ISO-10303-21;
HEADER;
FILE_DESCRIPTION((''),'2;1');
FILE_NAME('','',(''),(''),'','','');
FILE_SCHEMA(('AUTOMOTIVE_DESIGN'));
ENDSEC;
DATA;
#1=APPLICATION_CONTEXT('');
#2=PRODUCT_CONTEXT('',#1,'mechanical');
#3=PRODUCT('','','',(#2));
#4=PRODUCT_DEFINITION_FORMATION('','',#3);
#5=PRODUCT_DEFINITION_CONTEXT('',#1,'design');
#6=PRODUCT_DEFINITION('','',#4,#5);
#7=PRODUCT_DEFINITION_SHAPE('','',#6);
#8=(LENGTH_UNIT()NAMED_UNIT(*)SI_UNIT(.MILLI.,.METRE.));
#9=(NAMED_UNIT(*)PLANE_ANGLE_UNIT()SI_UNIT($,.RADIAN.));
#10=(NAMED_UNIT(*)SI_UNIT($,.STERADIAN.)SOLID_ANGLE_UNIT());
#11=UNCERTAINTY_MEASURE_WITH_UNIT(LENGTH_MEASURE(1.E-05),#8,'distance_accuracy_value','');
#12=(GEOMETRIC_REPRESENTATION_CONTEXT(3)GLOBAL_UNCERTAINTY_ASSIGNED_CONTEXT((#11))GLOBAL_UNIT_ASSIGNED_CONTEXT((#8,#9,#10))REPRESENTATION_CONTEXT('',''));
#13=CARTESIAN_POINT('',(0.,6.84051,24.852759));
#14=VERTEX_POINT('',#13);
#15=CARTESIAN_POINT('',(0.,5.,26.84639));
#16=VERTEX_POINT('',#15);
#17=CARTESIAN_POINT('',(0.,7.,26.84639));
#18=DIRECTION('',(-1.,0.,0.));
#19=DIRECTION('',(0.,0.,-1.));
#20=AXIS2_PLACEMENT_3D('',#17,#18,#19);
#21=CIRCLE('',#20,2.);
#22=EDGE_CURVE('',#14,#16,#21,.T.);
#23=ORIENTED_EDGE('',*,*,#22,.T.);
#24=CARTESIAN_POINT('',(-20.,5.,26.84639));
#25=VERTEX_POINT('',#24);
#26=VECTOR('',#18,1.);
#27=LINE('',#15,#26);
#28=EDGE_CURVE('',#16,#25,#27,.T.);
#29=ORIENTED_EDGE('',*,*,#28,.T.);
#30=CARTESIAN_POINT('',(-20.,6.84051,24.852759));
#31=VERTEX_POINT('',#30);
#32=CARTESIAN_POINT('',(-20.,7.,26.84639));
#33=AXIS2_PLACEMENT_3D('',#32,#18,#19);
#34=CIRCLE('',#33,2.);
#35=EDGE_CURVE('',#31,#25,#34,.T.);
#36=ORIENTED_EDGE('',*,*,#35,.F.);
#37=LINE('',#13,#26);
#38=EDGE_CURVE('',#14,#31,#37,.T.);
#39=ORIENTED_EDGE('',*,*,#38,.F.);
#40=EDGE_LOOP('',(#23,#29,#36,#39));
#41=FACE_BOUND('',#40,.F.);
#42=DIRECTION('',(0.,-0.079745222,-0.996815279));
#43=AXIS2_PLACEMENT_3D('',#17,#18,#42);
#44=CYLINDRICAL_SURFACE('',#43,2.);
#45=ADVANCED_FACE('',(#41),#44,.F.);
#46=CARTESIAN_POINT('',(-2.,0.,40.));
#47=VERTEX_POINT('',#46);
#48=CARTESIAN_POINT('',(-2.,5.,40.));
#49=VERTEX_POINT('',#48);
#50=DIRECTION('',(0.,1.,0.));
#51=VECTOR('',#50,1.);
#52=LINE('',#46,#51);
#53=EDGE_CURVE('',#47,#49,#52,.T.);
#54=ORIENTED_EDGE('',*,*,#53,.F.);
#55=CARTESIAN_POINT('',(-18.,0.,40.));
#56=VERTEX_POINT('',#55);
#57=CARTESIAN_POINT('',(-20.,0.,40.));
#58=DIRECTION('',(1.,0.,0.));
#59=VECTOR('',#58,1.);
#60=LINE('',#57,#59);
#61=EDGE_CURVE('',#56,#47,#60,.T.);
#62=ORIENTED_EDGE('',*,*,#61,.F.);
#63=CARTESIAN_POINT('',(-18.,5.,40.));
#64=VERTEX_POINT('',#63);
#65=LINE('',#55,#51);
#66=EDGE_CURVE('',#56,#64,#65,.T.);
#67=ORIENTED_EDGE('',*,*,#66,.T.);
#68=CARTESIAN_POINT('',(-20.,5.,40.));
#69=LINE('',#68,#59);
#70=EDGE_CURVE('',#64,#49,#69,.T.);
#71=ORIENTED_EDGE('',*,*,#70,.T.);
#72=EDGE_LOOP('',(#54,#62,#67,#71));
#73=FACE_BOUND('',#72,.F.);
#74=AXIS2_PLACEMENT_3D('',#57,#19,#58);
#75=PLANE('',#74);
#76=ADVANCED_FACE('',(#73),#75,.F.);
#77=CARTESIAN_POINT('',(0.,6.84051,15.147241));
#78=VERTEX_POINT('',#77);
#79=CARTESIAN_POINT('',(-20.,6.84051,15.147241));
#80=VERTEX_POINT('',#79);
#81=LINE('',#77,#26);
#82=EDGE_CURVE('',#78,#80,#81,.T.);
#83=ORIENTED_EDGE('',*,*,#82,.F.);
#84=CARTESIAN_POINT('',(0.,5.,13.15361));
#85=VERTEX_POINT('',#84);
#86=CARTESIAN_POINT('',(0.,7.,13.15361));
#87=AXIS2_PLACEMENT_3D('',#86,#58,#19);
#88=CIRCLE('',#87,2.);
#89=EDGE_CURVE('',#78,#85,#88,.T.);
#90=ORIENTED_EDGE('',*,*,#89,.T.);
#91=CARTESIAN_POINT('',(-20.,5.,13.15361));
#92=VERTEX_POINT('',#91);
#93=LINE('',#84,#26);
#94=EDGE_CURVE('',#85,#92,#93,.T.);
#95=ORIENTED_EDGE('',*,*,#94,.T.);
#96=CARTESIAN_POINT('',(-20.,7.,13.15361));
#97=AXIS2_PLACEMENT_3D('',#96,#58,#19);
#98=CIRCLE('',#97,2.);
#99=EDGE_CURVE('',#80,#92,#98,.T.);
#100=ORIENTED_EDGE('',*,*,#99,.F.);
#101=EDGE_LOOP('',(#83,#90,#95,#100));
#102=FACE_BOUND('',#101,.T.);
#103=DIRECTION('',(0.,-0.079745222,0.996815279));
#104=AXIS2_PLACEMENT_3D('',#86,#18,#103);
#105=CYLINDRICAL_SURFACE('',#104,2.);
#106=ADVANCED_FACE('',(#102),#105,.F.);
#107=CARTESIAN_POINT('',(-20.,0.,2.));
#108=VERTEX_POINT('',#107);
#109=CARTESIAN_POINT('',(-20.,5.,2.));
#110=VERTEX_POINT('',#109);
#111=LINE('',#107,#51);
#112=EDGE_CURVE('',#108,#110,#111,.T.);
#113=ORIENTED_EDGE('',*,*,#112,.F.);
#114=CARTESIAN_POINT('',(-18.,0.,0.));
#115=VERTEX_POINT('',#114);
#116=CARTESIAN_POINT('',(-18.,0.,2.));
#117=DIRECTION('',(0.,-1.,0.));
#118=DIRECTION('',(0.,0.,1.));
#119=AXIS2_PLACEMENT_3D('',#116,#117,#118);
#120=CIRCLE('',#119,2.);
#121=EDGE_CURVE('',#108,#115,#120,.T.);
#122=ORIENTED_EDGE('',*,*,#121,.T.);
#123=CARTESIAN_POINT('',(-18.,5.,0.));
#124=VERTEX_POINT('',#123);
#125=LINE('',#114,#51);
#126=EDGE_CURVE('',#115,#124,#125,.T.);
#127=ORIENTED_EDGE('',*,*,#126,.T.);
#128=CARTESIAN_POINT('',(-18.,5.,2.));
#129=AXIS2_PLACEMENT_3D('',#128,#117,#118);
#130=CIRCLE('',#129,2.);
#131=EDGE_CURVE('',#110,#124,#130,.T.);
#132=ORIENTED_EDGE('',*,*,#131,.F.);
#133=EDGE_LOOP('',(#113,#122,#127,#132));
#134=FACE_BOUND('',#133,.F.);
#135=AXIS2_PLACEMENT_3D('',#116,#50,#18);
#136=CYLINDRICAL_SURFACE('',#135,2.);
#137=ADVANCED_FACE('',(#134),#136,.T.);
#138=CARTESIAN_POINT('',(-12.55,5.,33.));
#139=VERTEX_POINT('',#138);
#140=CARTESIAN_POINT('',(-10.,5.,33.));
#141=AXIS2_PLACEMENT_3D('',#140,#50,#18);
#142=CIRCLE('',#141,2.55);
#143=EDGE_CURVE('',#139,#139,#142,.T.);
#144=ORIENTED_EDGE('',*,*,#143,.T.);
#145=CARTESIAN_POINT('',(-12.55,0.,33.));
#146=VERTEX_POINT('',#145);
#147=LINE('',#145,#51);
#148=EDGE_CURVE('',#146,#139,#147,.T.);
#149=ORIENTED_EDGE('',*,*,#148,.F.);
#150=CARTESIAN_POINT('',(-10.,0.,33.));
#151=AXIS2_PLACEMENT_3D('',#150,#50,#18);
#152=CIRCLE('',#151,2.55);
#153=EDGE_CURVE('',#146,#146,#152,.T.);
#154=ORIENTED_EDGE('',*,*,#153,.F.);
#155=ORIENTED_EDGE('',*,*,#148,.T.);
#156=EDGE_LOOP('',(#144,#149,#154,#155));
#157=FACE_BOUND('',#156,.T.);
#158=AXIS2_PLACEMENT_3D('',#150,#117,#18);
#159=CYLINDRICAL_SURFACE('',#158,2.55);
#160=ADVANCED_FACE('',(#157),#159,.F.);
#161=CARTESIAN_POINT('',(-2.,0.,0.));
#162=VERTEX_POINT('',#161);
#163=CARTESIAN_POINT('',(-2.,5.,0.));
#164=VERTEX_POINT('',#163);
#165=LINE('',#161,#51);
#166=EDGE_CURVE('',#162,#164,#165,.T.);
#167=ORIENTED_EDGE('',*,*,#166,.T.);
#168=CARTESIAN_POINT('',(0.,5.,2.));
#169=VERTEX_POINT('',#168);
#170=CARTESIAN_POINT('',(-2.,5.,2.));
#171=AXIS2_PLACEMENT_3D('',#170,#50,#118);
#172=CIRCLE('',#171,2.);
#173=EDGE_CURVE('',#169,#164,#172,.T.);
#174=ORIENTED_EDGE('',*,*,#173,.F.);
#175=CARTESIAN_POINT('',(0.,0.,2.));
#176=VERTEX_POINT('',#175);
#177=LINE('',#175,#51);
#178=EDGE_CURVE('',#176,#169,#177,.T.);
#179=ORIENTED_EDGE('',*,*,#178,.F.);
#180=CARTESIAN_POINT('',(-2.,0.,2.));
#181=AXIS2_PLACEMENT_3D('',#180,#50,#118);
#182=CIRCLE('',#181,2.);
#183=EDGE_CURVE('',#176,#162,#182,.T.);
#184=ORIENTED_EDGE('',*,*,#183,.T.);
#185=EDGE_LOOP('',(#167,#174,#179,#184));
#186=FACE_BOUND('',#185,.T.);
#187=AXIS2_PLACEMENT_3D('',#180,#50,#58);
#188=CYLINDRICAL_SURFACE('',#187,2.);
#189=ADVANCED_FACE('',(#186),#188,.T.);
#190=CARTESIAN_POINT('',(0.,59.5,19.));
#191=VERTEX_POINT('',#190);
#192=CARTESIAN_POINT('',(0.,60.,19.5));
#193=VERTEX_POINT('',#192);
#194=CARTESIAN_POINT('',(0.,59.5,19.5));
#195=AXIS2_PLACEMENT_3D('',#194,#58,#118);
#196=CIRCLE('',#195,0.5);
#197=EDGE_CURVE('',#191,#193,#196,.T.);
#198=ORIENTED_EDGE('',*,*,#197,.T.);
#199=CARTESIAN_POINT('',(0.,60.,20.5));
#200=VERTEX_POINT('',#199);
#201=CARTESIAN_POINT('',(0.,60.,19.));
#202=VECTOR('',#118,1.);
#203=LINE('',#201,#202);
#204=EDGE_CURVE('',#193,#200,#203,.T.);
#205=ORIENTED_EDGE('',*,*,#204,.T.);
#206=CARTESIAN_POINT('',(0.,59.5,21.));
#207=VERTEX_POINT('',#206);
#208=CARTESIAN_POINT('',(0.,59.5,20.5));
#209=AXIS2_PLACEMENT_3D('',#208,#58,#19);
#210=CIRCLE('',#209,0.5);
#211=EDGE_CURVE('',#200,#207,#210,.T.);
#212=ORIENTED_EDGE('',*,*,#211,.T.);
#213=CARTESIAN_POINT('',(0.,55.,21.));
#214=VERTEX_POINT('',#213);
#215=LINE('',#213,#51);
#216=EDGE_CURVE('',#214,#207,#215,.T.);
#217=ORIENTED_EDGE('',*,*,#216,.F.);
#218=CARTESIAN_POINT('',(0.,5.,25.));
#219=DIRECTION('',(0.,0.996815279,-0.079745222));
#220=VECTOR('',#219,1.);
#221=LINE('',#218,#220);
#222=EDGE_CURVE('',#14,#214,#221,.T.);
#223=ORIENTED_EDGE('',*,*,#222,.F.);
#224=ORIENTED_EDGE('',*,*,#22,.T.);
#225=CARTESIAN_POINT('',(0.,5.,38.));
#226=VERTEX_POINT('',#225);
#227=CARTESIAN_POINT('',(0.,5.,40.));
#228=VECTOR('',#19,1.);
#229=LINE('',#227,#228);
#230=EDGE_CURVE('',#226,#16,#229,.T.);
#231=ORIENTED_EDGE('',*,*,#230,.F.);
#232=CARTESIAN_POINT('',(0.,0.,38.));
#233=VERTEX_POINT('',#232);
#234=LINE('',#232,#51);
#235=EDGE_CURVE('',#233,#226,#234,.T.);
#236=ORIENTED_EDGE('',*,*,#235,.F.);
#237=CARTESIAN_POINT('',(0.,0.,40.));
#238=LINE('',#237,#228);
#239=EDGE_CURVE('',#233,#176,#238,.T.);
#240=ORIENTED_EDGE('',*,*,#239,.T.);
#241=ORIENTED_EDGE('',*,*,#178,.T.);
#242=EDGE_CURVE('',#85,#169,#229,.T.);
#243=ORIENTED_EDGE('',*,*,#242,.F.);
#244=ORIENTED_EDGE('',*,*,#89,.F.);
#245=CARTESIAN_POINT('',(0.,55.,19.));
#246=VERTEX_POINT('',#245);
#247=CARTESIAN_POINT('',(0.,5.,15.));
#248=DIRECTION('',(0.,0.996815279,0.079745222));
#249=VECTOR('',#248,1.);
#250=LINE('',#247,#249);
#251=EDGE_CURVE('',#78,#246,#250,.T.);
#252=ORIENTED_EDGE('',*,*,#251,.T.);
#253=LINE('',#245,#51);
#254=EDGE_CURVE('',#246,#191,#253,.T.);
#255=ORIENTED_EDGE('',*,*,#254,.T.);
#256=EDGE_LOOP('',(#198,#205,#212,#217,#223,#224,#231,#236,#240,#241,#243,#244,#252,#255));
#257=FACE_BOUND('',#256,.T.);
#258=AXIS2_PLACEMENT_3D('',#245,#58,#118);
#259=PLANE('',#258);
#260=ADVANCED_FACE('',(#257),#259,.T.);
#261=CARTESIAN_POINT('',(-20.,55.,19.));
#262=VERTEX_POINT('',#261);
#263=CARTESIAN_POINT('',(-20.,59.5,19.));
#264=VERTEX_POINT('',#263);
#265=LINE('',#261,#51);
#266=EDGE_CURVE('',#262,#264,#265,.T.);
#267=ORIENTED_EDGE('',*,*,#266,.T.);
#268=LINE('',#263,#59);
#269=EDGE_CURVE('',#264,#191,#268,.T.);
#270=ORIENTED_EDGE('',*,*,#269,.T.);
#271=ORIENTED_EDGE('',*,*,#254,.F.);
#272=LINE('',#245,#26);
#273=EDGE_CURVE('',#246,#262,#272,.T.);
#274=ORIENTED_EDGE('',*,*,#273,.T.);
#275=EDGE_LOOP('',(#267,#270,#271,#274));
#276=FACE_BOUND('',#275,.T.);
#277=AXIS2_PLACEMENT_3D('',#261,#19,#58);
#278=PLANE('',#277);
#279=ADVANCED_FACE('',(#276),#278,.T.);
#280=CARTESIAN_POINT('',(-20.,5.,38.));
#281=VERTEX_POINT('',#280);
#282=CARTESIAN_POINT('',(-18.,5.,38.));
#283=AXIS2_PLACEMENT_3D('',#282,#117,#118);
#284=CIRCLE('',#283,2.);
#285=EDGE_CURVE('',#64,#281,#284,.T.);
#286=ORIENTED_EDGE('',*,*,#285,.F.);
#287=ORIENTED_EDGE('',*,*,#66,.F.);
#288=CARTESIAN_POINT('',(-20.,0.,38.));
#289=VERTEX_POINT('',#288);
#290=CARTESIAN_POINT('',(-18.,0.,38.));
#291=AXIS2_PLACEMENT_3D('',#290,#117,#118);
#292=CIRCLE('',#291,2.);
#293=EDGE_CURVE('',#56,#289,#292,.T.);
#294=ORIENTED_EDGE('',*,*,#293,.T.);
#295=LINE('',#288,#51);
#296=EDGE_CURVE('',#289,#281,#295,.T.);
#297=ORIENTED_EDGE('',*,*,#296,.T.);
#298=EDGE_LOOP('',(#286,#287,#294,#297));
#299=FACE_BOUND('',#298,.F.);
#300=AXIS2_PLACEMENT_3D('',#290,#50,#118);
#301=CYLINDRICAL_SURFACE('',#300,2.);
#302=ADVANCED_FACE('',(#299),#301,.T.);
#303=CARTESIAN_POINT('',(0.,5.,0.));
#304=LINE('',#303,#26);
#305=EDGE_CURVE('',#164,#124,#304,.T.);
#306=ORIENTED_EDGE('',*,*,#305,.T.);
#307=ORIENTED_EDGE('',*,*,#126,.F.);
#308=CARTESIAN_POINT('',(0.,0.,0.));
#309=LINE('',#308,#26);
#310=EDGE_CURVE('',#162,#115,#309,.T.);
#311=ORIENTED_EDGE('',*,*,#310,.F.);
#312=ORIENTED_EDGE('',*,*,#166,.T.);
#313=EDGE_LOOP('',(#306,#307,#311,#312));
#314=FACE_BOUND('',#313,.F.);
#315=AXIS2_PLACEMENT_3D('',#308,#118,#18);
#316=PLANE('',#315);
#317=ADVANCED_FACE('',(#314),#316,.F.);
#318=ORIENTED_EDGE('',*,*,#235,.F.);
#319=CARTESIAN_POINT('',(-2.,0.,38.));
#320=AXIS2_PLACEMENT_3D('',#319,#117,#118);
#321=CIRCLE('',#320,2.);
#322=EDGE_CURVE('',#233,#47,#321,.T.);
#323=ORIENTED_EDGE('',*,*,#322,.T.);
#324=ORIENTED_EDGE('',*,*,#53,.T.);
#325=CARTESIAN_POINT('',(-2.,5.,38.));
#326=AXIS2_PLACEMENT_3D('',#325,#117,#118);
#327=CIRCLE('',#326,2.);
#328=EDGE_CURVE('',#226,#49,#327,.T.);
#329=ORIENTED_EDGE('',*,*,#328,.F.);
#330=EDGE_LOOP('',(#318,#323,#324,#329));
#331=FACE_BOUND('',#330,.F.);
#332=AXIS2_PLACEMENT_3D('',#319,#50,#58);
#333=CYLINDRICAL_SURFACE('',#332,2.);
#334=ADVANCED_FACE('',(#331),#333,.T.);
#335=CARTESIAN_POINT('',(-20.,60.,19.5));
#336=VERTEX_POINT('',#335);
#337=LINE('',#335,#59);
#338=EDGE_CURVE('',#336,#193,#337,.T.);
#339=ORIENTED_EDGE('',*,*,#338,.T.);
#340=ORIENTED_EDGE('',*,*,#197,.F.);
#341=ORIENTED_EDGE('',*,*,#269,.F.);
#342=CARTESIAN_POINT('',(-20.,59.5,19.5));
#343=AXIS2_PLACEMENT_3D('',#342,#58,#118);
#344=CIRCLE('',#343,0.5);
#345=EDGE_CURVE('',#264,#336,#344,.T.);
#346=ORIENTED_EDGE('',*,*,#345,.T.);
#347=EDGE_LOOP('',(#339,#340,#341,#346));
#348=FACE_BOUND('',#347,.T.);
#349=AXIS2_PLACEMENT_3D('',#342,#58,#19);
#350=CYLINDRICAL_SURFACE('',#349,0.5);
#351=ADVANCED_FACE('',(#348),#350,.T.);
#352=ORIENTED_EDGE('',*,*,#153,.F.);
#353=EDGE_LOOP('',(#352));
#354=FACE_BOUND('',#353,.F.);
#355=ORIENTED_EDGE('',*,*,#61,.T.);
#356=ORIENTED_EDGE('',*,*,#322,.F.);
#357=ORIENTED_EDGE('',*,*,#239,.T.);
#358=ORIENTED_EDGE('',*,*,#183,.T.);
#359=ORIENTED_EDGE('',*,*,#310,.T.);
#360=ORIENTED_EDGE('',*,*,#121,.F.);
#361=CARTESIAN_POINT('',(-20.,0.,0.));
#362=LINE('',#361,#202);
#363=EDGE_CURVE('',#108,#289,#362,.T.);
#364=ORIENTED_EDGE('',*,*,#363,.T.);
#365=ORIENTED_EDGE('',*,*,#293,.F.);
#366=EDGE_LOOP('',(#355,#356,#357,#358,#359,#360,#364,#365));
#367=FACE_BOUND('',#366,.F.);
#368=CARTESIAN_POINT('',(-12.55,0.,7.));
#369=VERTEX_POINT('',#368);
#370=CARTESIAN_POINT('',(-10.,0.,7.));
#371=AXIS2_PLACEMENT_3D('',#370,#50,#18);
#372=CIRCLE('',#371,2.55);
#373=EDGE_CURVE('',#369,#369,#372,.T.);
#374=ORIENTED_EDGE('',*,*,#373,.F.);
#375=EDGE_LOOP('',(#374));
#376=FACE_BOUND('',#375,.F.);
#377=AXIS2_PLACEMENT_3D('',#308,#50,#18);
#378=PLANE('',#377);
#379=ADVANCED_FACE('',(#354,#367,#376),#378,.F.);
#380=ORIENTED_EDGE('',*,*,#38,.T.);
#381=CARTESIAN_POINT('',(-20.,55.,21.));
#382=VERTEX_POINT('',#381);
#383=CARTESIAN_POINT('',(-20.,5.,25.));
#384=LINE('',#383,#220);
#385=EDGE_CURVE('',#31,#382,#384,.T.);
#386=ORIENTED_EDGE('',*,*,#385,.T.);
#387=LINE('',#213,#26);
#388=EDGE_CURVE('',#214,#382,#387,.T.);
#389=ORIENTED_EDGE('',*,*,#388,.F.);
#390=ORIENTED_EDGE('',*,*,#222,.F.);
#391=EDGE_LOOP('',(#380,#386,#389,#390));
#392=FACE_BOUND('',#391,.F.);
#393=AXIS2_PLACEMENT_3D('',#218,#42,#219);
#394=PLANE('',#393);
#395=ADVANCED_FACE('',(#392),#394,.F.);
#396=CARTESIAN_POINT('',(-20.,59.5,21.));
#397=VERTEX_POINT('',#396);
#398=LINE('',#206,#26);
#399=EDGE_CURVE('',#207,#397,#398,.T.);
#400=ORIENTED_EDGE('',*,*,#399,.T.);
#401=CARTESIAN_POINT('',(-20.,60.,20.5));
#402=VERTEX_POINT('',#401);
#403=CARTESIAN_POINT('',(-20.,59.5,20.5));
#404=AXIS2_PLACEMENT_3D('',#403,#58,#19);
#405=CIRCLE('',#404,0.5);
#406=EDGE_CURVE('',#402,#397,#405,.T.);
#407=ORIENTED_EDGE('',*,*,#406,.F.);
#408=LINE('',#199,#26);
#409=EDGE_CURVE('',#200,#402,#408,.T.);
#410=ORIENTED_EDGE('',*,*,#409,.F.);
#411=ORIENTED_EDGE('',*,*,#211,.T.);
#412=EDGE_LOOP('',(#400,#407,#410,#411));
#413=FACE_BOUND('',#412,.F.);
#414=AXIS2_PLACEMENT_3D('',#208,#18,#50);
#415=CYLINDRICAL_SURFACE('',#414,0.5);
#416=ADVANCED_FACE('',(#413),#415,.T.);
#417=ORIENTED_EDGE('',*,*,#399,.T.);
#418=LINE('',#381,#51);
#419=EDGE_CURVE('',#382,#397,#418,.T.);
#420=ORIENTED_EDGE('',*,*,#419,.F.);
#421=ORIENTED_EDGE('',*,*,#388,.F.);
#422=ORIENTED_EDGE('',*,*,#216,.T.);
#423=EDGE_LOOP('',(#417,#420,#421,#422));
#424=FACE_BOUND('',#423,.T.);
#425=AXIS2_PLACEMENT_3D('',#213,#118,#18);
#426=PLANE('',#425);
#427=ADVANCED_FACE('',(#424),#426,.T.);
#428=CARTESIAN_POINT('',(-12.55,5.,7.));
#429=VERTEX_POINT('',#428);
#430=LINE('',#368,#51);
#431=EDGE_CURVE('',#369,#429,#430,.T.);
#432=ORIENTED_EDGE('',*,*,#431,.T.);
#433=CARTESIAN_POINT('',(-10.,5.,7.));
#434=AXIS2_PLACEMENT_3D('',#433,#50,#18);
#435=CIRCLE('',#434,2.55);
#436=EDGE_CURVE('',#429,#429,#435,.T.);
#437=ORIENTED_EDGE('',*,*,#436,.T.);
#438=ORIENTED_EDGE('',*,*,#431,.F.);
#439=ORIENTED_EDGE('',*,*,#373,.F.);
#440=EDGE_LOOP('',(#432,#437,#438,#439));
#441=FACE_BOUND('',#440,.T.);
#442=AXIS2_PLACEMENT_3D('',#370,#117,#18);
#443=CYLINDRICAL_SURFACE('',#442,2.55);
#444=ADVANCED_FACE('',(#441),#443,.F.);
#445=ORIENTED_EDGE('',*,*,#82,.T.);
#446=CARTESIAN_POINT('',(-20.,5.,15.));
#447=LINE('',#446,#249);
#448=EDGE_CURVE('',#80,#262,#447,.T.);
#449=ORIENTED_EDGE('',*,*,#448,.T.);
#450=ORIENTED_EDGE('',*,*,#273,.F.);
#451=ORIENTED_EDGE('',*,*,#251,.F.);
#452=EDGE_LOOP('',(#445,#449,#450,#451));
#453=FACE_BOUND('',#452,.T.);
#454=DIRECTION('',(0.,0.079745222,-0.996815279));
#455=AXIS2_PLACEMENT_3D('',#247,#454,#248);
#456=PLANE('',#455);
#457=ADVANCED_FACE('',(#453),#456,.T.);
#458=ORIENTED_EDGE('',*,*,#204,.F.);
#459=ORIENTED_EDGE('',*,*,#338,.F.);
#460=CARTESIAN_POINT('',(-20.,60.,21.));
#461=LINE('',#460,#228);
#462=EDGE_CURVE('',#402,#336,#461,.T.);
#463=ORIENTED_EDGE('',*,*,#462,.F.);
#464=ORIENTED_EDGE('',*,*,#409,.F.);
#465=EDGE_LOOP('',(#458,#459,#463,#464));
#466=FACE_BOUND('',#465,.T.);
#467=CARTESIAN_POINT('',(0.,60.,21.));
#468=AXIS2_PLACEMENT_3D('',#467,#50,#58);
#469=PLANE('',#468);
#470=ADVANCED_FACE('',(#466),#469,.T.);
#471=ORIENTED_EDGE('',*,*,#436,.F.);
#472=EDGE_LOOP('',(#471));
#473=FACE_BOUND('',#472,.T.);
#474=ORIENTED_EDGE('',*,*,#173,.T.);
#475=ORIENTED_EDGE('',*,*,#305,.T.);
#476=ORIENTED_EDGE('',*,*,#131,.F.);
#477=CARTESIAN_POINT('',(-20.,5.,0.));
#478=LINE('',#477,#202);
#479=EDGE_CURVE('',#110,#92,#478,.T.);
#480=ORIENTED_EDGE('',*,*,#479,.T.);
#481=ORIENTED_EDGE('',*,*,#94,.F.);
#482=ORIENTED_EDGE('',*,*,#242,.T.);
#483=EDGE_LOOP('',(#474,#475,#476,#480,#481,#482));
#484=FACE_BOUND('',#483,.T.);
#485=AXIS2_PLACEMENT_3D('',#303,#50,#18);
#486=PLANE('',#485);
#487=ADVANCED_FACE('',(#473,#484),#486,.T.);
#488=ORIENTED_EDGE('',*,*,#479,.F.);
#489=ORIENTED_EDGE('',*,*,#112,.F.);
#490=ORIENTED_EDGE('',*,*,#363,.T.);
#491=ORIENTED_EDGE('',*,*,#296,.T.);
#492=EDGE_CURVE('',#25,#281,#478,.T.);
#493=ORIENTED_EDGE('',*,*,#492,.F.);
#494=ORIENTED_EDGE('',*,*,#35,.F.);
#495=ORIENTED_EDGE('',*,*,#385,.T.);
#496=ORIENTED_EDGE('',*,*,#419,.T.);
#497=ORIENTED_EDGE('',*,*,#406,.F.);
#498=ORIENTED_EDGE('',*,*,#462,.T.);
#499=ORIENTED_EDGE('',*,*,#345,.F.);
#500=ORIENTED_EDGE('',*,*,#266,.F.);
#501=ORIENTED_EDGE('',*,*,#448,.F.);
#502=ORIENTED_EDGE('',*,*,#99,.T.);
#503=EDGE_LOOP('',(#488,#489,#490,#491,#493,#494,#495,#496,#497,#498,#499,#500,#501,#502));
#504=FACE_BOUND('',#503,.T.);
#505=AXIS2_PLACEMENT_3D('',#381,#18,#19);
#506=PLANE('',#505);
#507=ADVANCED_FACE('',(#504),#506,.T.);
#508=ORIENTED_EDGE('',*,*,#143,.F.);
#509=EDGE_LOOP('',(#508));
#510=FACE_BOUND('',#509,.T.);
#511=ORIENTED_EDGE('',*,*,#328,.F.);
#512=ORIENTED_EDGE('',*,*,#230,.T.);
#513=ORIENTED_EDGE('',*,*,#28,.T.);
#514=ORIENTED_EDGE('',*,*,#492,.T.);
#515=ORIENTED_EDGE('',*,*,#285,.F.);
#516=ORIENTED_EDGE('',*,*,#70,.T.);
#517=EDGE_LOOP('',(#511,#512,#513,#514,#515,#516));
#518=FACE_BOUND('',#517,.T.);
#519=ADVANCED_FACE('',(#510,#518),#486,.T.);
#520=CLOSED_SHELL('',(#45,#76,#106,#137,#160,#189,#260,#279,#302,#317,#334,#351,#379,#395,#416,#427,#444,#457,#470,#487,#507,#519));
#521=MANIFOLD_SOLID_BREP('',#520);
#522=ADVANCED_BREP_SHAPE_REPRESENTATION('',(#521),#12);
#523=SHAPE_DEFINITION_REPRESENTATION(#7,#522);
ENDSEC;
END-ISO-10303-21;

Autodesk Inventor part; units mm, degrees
ref_plane "YZ Plane" through (0, 0, 0) normal (1, 0, 0) x (0, 1, 0)
ref_plane "XZ Plane" through (0, 0, 0) normal (0, 1, 0) x (-1, 0, 0)
ref_plane "XY Plane" through (0, 0, 0) normal (0, 0, 1) x (1, 0, 0)
sketch "Skizze1" plane through (0, 0, 0) normal (0, 1, 0) x (-1, 0, 0)
  line L0 (0, 0) -> (20, 0)
  line L1 (20, 0) -> (20, 40)
  line L2 (20, 40) -> (0, 40)
  line L3 (0, 40) -> (0, 0)
  circle A0 centre (10, 33) radius 2.55
  circle A1 centre (10, 7) radius 2.55
  dimension "d0" = 20
  dimension "d1" = 40
  dimension "d2" = 5.1
  dimension "d3" = 5.1
  dimension "d4" = 7
  dimension "d5" = 7
  dimension "d6" = 10
  dimension "d7" = 10
extrude "Extrusion1" add sketch "Skizze1" along normal blind 5
fillet "Rundung1" radius 2 4 edges at (-20, 2.5, 40) (-20, 2.5, 0) (0, 2.5, 0) (0, 2.5, 40)
sketch "Skizze2" plane through (0, 5, 0) normal (0, 1, 0) x (1, 0, 0)
  line L0 (-20, -2) -> (-20, -38) projected
  line L1 (-20, -25) -> (0, -25)
  line L2 (0, -25) -> (0, -15)
  line L3 (0, -15) -> (-20, -15)
  line L4 (-20, -15) -> (-20, -25)
  line L5 (-2, 0) -> (-18, 0) projected
  line L6 (-18, -40) -> (-2, -40) projected
  point P0 (0, 0)
  dimension "d11" = 10
  dimension "d12" = 20
  dimension "d13" = 15
  dimension "d14" = 15
sketch "Skizze5" plane through (0, 0, 0) normal (1, 0, 0) x (0, 1, 0)
  line L0 (55, 21) -> (55, 19)
  line L1 (5, 0) -> (0, 0) projected
  line L2 (5, 2) -> (5, 38) projected
  line L3 (5, 25) -> (55, 21)
  line L4 (5, 15) -> (55, 19)
  point P0 (5, 15)
  dimension "d25" = 19
  dimension "d26" = 2
  dimension "d27" = 50
extrude "Extrusion3" add sketch "Skizze5" against normal up to surface (20 mm away)
sketch "Skizze6" plane through (0, 55, 21) normal (0, 1, 0) x (1, 0, 0)
  line L0 (-20, 2) -> (0, 2) projected
  line L1 (0, 2) -> (0, 0) projected
  line L2 (0, 0) -> (-20, 0) projected
  line L3 (-20, 0) -> (-20, 2) projected
  point P0 (0, 21)
extrude "Extrusion4" add sketch "Skizze6" along normal blind 5
fillet "Rundung2" radius 2 2 edges at (-10, 5, 15) (-10, 5, 25)
fillet "Rundung3" radius 0.5 2 edges at (-10, 60, 21) (-10, 60, 19)
equation "\"d3\" = d2"
equation "\"d5\" = d4"
equation "\"d6\" = d7"
properties part number "Endtstop_Z" material "Polyaryletherketon-Kunststoff"
